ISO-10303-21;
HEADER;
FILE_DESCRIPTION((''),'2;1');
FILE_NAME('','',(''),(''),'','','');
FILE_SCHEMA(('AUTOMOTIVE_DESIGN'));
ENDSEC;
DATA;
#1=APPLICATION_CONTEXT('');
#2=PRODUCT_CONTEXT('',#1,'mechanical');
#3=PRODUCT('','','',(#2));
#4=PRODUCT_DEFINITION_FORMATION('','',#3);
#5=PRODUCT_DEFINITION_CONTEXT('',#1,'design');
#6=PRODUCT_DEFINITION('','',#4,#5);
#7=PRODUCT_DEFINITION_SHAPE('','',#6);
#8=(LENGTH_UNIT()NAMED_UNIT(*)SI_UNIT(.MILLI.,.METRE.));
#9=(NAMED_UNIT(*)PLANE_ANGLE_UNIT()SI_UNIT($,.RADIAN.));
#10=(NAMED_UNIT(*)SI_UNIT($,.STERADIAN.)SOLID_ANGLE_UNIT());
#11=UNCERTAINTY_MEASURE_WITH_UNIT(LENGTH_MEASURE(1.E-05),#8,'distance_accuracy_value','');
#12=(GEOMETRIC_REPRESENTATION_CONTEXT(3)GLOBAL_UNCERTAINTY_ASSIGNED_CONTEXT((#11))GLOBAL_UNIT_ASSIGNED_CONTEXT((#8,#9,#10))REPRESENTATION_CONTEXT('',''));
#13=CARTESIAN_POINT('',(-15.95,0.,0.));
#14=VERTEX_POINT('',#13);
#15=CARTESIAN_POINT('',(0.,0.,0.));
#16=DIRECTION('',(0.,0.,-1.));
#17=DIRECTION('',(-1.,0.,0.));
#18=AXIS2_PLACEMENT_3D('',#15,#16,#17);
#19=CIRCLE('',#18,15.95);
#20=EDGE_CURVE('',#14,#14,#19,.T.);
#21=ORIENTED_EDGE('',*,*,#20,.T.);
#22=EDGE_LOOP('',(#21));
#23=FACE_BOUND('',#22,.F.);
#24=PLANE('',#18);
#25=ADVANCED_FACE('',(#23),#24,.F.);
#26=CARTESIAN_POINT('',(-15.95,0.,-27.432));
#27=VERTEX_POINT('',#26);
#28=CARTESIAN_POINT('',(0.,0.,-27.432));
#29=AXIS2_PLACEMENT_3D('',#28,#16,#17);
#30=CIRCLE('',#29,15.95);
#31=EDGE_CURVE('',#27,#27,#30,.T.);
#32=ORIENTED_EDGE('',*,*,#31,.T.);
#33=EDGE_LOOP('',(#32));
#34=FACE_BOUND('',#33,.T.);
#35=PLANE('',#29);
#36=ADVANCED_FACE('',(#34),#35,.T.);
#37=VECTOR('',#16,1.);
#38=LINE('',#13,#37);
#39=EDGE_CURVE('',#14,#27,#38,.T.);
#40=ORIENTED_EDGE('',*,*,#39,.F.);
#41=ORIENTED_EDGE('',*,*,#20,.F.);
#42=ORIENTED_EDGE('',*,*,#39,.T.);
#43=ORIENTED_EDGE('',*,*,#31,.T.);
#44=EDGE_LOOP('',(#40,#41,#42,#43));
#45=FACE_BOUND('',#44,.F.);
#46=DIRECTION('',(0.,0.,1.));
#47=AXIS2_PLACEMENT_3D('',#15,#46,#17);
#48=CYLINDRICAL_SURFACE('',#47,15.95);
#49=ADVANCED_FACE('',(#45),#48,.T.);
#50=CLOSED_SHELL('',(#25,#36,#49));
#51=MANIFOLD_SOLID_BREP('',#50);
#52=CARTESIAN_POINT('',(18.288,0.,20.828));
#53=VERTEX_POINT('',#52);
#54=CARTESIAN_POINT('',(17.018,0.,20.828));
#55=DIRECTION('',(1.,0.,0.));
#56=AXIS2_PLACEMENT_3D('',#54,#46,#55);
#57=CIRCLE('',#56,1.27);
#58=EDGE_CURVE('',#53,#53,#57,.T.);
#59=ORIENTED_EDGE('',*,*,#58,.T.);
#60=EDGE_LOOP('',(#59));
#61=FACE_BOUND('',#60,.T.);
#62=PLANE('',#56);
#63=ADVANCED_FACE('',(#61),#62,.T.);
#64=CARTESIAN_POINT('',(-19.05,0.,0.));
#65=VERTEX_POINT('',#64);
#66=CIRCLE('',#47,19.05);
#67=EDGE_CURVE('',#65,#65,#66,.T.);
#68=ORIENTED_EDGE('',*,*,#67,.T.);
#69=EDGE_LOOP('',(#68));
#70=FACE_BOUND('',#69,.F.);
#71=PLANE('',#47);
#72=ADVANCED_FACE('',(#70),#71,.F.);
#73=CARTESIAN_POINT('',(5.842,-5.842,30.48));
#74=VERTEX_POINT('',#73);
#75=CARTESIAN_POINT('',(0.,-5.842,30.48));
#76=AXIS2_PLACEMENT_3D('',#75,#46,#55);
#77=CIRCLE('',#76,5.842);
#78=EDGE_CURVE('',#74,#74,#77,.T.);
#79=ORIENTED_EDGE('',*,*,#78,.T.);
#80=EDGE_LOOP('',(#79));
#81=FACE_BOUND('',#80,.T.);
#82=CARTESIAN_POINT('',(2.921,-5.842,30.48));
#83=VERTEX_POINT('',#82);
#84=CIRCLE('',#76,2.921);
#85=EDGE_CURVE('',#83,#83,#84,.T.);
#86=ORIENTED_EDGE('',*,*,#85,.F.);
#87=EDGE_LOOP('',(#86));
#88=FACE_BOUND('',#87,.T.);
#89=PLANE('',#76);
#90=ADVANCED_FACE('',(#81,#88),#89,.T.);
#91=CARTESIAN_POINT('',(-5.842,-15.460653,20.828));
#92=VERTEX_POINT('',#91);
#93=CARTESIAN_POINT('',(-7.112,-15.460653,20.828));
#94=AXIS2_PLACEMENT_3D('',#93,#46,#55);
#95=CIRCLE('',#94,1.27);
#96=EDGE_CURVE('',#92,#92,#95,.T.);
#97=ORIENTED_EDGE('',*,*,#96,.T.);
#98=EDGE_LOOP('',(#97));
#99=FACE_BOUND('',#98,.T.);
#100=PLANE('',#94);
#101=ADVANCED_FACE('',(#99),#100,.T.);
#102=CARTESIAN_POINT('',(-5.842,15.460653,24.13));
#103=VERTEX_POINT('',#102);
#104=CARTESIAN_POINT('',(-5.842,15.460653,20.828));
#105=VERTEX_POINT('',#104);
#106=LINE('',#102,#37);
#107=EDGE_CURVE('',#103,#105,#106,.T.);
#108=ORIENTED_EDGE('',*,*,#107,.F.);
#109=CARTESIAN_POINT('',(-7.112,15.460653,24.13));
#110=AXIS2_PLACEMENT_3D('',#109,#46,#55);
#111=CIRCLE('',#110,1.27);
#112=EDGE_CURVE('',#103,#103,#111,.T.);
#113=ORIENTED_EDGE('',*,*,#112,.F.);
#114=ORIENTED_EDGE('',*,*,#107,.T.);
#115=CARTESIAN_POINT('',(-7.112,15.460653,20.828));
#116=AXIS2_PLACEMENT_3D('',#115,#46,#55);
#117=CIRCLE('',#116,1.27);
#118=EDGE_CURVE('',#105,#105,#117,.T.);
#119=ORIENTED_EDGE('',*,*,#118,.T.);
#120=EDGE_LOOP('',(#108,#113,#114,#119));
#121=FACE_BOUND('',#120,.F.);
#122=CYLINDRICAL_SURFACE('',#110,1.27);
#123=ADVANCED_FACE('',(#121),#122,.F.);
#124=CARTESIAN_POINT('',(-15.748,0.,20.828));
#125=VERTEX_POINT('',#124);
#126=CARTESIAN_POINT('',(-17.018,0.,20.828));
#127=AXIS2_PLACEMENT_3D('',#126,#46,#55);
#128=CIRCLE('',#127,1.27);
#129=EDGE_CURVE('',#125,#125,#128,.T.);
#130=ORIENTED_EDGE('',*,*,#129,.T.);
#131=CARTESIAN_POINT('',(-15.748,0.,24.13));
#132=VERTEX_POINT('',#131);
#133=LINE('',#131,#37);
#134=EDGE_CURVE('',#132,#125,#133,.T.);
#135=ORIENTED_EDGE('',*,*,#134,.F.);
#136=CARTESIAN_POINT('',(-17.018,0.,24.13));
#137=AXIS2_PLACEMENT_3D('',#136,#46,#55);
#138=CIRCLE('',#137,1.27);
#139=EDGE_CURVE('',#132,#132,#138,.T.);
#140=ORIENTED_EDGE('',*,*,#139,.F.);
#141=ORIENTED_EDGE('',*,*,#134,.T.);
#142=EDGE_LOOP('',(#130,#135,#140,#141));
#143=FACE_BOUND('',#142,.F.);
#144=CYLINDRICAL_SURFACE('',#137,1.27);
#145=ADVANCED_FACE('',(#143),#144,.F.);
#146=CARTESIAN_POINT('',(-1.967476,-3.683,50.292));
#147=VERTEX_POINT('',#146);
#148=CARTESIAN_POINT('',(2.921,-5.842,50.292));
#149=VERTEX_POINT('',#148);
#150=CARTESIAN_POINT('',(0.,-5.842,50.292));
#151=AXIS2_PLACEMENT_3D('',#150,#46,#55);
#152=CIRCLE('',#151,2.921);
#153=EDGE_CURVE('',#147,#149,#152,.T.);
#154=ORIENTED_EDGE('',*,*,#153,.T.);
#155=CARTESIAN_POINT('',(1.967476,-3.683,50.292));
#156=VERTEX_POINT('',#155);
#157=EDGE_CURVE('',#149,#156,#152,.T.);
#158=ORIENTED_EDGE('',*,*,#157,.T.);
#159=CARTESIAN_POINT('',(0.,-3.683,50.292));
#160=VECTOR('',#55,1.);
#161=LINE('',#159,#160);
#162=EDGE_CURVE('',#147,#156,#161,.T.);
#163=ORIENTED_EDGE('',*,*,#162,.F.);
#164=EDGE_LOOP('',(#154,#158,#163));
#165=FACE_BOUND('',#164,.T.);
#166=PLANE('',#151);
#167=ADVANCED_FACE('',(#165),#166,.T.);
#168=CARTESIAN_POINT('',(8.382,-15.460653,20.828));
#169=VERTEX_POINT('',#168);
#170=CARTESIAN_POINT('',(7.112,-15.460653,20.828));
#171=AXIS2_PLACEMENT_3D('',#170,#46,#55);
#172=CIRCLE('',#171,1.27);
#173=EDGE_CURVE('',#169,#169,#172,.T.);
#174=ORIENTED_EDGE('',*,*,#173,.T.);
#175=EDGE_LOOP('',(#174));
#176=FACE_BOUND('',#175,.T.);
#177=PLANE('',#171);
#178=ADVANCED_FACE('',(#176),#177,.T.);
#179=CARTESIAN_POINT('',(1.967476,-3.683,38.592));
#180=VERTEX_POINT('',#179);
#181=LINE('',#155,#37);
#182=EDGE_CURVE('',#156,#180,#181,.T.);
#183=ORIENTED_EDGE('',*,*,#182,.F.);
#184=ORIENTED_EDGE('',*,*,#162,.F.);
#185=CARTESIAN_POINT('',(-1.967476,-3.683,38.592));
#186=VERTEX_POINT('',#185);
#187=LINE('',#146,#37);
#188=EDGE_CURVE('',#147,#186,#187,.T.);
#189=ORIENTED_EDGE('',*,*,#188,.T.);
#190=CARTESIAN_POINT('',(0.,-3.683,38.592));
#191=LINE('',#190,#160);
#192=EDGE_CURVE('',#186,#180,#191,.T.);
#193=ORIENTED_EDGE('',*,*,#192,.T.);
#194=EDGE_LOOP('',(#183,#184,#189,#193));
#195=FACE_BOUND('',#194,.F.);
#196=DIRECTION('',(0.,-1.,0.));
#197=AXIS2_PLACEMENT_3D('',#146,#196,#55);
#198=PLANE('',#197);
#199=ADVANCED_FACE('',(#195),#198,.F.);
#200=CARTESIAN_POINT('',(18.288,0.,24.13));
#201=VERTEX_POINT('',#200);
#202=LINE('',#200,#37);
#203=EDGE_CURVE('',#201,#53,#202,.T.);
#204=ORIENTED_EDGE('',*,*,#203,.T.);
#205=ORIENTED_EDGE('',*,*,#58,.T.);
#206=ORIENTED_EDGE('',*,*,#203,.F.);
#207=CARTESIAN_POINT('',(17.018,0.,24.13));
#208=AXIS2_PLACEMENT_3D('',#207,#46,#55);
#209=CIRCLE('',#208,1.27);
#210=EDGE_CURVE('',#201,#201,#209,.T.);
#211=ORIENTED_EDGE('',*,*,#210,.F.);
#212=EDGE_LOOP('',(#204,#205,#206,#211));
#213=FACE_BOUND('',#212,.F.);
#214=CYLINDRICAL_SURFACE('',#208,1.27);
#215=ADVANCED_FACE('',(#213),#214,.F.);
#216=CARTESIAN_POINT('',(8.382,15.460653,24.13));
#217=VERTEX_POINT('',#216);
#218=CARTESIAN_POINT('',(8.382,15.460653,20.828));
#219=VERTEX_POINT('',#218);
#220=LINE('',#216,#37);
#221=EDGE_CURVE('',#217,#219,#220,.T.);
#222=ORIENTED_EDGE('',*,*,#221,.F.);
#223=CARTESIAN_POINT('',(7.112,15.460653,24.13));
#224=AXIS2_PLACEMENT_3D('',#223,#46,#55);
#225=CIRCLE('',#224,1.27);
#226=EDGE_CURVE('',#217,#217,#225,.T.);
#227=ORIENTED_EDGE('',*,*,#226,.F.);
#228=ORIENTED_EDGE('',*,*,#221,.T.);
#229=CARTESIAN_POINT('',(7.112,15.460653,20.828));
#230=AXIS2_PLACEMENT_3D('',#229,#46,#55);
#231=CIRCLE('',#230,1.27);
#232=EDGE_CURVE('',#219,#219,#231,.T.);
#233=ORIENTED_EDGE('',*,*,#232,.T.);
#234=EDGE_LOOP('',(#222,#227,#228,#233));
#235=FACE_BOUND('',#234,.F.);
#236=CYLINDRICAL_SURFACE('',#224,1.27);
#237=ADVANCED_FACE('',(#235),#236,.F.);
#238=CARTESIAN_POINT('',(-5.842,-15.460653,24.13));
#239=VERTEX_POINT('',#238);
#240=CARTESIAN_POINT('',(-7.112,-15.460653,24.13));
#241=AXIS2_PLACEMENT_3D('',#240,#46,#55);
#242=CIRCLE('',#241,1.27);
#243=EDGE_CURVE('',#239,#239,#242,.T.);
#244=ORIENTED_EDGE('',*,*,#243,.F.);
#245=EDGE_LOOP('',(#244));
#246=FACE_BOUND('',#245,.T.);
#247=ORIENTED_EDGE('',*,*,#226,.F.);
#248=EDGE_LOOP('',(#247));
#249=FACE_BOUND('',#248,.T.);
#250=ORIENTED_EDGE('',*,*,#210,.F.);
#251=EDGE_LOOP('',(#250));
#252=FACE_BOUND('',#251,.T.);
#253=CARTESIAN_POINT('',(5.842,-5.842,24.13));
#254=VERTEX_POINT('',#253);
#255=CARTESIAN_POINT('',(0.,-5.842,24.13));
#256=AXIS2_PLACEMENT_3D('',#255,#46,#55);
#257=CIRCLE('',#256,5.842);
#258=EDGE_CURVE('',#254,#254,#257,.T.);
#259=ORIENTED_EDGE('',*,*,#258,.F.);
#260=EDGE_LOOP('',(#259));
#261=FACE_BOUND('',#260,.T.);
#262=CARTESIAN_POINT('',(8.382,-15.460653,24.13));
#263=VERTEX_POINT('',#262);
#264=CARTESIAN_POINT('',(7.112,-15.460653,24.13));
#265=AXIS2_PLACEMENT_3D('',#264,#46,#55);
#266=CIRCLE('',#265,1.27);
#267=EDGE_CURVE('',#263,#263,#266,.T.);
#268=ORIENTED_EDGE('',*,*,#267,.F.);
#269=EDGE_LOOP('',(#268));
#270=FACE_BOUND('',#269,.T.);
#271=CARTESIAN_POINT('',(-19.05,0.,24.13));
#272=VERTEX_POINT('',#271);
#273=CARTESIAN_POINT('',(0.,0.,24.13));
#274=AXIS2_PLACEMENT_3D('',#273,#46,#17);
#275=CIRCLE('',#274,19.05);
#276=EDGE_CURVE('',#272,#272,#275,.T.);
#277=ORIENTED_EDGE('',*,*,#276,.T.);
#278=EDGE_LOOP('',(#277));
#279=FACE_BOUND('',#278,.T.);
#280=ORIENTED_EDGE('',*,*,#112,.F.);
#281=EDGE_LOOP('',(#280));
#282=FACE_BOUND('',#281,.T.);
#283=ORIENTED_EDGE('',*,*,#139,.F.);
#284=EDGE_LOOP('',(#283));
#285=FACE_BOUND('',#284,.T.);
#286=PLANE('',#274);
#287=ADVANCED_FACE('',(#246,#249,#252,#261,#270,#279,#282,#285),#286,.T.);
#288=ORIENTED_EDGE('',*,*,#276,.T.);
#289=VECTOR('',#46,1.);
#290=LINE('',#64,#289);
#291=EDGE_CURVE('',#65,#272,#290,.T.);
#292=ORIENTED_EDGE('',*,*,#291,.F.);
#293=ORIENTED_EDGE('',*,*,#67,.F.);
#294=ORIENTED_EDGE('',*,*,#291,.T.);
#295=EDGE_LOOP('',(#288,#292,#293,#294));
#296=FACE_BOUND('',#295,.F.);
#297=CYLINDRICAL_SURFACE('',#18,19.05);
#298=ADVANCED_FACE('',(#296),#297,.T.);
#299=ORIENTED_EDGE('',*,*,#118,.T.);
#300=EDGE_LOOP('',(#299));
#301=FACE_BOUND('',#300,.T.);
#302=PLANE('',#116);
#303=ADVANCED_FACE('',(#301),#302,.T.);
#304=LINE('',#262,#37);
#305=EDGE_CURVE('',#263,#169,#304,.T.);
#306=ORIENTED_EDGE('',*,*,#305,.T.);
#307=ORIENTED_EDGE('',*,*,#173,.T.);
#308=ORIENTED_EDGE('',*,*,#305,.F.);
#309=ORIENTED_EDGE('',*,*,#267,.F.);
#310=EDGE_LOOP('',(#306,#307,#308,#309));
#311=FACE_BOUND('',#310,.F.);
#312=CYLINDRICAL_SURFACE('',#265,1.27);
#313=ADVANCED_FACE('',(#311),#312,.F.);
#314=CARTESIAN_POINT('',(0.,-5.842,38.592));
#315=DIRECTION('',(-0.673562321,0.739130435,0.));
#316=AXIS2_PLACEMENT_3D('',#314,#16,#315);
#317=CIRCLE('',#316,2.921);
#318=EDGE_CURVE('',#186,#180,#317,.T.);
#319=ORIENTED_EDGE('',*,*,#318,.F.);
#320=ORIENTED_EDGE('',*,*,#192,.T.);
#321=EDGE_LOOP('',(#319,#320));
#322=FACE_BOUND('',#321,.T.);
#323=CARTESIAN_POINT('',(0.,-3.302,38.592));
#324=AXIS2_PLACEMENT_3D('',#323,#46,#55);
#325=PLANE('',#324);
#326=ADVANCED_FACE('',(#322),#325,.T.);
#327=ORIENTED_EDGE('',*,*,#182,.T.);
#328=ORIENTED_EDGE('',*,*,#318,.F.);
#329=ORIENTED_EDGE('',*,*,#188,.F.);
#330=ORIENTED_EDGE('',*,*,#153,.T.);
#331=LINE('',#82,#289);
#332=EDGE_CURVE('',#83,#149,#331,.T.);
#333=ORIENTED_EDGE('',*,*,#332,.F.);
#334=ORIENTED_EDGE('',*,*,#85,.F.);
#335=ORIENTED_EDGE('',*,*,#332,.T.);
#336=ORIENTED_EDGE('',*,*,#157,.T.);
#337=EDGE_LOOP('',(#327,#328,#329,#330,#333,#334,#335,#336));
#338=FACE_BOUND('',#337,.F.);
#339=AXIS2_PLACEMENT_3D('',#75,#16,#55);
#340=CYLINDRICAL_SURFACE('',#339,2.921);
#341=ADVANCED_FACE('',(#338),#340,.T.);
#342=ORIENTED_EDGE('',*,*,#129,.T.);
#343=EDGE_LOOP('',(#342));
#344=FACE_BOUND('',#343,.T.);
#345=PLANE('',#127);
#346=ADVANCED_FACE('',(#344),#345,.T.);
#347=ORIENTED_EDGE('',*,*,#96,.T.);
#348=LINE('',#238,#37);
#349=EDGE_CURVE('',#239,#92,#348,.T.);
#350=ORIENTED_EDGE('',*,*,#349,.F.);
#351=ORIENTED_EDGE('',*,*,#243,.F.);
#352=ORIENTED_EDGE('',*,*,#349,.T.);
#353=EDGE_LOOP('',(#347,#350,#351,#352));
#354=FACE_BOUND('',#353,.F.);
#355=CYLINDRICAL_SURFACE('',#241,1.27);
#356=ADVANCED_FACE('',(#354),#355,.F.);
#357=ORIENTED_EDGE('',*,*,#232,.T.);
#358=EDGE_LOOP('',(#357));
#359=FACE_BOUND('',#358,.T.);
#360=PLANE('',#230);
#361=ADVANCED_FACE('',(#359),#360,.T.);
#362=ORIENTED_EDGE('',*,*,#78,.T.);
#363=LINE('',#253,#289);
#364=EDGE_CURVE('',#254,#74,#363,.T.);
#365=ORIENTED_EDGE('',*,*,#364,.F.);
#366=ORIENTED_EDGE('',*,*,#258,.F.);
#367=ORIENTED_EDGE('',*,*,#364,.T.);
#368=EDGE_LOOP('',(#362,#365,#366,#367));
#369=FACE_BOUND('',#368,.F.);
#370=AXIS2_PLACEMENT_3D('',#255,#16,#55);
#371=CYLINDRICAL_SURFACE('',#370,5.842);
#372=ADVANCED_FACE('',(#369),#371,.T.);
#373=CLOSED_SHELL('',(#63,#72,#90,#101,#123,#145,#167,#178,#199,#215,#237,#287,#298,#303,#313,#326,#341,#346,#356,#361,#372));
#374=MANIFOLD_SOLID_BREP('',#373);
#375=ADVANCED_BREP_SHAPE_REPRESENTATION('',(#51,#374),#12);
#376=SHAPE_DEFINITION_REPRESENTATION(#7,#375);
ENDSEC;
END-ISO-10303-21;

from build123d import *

# Parameters (mm, degrees)
SKETCH1_R           = 19.05
BOSS_EXTRUDE1_DEPTH = 24.13
SKETCH2_R           = 15.949999977
BOSS_EXTRUDE2_DEPTH = 27.432
SKETCH3_R           = 5.842
BOSS_EXTRUDE3_DEPTH = 6.35
SKETCH4_R           = 2.921
BOSS_EXTRUDE4_DEPTH = 19.812
SKETCH5_W           = 3.93495108
SKETCH5_H           = 0.762
CUT_EXTRUDE1_DEPTH  = 11.699999968
SKETCH6_R           = 1.27
CUT_EXTRUDE2_DEPTH  = 3.302


with BuildPart() as part:
    # Sketch1 → Boss-Extrude1 (new body)
    with BuildSketch(Plane.XY):
        with Locations(Location((0, 0, 0), (0, 0, 180))):
            Circle(SKETCH1_R)
    extrude(amount=BOSS_EXTRUDE1_DEPTH)

    # Sketch3 → Boss-Extrude3 (add)
    with BuildSketch(Plane.XY.offset(24.13)):
        with Locations((0, -5.842)):
            Circle(SKETCH3_R)
    extrude(amount=BOSS_EXTRUDE3_DEPTH)

    # Sketch4 → Boss-Extrude4 (add)
    with BuildSketch(Plane.XY.offset(30.48)):
        with Locations((0, -5.842)):
            Circle(SKETCH4_R)
    extrude(amount=BOSS_EXTRUDE4_DEPTH)

    # Sketch5 → Cut-Extrude1 (cut)
    with BuildSketch(Plane.XY.offset(50.292)):
        with Locations((0, -3.302)):
            Rectangle(SKETCH5_W, SKETCH5_H)
    extrude(amount=-CUT_EXTRUDE1_DEPTH, mode=Mode.SUBTRACT)

    # Sketch6 → Cut-Extrude2 (cut)
    with BuildSketch(Plane.XY.offset(24.13)):
        with Locations((-7.112, 15.460652638)):
            Circle(SKETCH6_R)
        with Locations((-7.112, -15.460652638)):
            Circle(SKETCH6_R)
        with Locations((-17.018, 0)):
            Circle(SKETCH6_R)
        with Locations((7.112, 15.460652638)):
            Circle(SKETCH6_R)
        with Locations((7.112, -15.460652638)):
            Circle(SKETCH6_R)
        with Locations((17.018, 0)):
            Circle(SKETCH6_R)
    extrude(amount=-CUT_EXTRUDE2_DEPTH, mode=Mode.SUBTRACT)


with BuildPart() as body_2:
    # Sketch2 → Boss-Extrude2 (new body)
    with BuildSketch(Plane(origin=(0, 0, 0), x_dir=(-1, 0, 0), z_dir=(0, 0, -1))):
        Circle(SKETCH2_R)
    extrude(amount=BOSS_EXTRUDE2_DEPTH)


solid = Compound([part.part, body_2.part])
